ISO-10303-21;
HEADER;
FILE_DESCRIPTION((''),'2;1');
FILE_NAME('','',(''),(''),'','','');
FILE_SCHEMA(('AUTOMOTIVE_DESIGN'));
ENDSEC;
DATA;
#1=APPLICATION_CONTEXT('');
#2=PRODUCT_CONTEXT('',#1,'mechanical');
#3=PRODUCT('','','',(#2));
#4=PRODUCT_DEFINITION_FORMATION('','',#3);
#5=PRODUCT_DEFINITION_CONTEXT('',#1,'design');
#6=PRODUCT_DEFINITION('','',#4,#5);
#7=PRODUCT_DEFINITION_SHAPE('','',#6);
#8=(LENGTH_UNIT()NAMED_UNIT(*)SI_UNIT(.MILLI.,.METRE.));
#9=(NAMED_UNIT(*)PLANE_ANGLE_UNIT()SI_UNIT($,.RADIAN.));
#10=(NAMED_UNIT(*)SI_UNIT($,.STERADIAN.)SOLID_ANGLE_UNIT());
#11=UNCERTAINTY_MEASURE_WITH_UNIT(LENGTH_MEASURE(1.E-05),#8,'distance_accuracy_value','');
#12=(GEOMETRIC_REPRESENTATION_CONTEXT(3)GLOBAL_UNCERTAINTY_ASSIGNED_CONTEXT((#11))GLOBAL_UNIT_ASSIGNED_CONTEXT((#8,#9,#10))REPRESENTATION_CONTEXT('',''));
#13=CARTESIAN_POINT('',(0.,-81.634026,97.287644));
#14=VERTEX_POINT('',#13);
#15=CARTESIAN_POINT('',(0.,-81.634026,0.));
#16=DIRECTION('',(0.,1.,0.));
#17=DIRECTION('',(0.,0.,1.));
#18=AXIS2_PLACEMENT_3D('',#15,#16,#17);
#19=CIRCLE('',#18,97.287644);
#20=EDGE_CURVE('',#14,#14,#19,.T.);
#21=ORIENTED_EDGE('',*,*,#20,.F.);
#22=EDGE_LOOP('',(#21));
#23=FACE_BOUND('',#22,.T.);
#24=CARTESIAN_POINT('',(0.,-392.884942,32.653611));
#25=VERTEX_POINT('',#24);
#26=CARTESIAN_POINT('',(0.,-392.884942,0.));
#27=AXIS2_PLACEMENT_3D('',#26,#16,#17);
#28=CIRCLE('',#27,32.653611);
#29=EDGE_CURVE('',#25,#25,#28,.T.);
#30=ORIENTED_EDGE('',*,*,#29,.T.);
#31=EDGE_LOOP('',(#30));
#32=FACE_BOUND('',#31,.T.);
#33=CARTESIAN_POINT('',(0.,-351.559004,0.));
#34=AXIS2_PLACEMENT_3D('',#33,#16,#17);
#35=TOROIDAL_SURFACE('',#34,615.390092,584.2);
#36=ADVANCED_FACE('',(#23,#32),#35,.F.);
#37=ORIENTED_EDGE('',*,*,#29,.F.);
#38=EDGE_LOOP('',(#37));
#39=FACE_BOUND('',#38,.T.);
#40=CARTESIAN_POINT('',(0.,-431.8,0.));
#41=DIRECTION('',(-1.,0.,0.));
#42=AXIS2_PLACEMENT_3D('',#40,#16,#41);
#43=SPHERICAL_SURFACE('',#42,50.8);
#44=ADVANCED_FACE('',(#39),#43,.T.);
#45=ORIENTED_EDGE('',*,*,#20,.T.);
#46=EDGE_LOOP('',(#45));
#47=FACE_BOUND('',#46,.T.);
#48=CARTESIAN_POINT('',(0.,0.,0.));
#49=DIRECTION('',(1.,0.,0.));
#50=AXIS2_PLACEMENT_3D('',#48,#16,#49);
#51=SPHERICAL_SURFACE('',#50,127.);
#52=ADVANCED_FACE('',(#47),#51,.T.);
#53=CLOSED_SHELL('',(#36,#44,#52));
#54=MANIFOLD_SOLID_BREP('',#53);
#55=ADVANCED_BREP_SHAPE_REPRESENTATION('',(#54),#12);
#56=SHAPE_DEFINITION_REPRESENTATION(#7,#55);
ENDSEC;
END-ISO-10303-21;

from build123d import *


with BuildPart() as part:
    # Sketch1 → Revolve1 (revolve)
    with BuildSketch(Plane.XY):
        with BuildLine():
            Line((0, 127), (0, -127))
            Line((0, -127), (0, -381))
            Line((0, -381), (0, -482.6))
            ThreePointArc((0, -482.6), (47.736385136, -449.174623281), (32.653610572, -392.88494229))
            ThreePointArc((32.653610572, -392.88494229), (43.3928279, -232.778661491), (97.287644276, -81.63402643))
            ThreePointArc((97.287644276, -81.63402643), (115.101088954, 53.672519241), (0, 127))
        make_face()
    revolve(axis=Axis((0, 127, 0), (0, -1, 0)))


solid = part.part
